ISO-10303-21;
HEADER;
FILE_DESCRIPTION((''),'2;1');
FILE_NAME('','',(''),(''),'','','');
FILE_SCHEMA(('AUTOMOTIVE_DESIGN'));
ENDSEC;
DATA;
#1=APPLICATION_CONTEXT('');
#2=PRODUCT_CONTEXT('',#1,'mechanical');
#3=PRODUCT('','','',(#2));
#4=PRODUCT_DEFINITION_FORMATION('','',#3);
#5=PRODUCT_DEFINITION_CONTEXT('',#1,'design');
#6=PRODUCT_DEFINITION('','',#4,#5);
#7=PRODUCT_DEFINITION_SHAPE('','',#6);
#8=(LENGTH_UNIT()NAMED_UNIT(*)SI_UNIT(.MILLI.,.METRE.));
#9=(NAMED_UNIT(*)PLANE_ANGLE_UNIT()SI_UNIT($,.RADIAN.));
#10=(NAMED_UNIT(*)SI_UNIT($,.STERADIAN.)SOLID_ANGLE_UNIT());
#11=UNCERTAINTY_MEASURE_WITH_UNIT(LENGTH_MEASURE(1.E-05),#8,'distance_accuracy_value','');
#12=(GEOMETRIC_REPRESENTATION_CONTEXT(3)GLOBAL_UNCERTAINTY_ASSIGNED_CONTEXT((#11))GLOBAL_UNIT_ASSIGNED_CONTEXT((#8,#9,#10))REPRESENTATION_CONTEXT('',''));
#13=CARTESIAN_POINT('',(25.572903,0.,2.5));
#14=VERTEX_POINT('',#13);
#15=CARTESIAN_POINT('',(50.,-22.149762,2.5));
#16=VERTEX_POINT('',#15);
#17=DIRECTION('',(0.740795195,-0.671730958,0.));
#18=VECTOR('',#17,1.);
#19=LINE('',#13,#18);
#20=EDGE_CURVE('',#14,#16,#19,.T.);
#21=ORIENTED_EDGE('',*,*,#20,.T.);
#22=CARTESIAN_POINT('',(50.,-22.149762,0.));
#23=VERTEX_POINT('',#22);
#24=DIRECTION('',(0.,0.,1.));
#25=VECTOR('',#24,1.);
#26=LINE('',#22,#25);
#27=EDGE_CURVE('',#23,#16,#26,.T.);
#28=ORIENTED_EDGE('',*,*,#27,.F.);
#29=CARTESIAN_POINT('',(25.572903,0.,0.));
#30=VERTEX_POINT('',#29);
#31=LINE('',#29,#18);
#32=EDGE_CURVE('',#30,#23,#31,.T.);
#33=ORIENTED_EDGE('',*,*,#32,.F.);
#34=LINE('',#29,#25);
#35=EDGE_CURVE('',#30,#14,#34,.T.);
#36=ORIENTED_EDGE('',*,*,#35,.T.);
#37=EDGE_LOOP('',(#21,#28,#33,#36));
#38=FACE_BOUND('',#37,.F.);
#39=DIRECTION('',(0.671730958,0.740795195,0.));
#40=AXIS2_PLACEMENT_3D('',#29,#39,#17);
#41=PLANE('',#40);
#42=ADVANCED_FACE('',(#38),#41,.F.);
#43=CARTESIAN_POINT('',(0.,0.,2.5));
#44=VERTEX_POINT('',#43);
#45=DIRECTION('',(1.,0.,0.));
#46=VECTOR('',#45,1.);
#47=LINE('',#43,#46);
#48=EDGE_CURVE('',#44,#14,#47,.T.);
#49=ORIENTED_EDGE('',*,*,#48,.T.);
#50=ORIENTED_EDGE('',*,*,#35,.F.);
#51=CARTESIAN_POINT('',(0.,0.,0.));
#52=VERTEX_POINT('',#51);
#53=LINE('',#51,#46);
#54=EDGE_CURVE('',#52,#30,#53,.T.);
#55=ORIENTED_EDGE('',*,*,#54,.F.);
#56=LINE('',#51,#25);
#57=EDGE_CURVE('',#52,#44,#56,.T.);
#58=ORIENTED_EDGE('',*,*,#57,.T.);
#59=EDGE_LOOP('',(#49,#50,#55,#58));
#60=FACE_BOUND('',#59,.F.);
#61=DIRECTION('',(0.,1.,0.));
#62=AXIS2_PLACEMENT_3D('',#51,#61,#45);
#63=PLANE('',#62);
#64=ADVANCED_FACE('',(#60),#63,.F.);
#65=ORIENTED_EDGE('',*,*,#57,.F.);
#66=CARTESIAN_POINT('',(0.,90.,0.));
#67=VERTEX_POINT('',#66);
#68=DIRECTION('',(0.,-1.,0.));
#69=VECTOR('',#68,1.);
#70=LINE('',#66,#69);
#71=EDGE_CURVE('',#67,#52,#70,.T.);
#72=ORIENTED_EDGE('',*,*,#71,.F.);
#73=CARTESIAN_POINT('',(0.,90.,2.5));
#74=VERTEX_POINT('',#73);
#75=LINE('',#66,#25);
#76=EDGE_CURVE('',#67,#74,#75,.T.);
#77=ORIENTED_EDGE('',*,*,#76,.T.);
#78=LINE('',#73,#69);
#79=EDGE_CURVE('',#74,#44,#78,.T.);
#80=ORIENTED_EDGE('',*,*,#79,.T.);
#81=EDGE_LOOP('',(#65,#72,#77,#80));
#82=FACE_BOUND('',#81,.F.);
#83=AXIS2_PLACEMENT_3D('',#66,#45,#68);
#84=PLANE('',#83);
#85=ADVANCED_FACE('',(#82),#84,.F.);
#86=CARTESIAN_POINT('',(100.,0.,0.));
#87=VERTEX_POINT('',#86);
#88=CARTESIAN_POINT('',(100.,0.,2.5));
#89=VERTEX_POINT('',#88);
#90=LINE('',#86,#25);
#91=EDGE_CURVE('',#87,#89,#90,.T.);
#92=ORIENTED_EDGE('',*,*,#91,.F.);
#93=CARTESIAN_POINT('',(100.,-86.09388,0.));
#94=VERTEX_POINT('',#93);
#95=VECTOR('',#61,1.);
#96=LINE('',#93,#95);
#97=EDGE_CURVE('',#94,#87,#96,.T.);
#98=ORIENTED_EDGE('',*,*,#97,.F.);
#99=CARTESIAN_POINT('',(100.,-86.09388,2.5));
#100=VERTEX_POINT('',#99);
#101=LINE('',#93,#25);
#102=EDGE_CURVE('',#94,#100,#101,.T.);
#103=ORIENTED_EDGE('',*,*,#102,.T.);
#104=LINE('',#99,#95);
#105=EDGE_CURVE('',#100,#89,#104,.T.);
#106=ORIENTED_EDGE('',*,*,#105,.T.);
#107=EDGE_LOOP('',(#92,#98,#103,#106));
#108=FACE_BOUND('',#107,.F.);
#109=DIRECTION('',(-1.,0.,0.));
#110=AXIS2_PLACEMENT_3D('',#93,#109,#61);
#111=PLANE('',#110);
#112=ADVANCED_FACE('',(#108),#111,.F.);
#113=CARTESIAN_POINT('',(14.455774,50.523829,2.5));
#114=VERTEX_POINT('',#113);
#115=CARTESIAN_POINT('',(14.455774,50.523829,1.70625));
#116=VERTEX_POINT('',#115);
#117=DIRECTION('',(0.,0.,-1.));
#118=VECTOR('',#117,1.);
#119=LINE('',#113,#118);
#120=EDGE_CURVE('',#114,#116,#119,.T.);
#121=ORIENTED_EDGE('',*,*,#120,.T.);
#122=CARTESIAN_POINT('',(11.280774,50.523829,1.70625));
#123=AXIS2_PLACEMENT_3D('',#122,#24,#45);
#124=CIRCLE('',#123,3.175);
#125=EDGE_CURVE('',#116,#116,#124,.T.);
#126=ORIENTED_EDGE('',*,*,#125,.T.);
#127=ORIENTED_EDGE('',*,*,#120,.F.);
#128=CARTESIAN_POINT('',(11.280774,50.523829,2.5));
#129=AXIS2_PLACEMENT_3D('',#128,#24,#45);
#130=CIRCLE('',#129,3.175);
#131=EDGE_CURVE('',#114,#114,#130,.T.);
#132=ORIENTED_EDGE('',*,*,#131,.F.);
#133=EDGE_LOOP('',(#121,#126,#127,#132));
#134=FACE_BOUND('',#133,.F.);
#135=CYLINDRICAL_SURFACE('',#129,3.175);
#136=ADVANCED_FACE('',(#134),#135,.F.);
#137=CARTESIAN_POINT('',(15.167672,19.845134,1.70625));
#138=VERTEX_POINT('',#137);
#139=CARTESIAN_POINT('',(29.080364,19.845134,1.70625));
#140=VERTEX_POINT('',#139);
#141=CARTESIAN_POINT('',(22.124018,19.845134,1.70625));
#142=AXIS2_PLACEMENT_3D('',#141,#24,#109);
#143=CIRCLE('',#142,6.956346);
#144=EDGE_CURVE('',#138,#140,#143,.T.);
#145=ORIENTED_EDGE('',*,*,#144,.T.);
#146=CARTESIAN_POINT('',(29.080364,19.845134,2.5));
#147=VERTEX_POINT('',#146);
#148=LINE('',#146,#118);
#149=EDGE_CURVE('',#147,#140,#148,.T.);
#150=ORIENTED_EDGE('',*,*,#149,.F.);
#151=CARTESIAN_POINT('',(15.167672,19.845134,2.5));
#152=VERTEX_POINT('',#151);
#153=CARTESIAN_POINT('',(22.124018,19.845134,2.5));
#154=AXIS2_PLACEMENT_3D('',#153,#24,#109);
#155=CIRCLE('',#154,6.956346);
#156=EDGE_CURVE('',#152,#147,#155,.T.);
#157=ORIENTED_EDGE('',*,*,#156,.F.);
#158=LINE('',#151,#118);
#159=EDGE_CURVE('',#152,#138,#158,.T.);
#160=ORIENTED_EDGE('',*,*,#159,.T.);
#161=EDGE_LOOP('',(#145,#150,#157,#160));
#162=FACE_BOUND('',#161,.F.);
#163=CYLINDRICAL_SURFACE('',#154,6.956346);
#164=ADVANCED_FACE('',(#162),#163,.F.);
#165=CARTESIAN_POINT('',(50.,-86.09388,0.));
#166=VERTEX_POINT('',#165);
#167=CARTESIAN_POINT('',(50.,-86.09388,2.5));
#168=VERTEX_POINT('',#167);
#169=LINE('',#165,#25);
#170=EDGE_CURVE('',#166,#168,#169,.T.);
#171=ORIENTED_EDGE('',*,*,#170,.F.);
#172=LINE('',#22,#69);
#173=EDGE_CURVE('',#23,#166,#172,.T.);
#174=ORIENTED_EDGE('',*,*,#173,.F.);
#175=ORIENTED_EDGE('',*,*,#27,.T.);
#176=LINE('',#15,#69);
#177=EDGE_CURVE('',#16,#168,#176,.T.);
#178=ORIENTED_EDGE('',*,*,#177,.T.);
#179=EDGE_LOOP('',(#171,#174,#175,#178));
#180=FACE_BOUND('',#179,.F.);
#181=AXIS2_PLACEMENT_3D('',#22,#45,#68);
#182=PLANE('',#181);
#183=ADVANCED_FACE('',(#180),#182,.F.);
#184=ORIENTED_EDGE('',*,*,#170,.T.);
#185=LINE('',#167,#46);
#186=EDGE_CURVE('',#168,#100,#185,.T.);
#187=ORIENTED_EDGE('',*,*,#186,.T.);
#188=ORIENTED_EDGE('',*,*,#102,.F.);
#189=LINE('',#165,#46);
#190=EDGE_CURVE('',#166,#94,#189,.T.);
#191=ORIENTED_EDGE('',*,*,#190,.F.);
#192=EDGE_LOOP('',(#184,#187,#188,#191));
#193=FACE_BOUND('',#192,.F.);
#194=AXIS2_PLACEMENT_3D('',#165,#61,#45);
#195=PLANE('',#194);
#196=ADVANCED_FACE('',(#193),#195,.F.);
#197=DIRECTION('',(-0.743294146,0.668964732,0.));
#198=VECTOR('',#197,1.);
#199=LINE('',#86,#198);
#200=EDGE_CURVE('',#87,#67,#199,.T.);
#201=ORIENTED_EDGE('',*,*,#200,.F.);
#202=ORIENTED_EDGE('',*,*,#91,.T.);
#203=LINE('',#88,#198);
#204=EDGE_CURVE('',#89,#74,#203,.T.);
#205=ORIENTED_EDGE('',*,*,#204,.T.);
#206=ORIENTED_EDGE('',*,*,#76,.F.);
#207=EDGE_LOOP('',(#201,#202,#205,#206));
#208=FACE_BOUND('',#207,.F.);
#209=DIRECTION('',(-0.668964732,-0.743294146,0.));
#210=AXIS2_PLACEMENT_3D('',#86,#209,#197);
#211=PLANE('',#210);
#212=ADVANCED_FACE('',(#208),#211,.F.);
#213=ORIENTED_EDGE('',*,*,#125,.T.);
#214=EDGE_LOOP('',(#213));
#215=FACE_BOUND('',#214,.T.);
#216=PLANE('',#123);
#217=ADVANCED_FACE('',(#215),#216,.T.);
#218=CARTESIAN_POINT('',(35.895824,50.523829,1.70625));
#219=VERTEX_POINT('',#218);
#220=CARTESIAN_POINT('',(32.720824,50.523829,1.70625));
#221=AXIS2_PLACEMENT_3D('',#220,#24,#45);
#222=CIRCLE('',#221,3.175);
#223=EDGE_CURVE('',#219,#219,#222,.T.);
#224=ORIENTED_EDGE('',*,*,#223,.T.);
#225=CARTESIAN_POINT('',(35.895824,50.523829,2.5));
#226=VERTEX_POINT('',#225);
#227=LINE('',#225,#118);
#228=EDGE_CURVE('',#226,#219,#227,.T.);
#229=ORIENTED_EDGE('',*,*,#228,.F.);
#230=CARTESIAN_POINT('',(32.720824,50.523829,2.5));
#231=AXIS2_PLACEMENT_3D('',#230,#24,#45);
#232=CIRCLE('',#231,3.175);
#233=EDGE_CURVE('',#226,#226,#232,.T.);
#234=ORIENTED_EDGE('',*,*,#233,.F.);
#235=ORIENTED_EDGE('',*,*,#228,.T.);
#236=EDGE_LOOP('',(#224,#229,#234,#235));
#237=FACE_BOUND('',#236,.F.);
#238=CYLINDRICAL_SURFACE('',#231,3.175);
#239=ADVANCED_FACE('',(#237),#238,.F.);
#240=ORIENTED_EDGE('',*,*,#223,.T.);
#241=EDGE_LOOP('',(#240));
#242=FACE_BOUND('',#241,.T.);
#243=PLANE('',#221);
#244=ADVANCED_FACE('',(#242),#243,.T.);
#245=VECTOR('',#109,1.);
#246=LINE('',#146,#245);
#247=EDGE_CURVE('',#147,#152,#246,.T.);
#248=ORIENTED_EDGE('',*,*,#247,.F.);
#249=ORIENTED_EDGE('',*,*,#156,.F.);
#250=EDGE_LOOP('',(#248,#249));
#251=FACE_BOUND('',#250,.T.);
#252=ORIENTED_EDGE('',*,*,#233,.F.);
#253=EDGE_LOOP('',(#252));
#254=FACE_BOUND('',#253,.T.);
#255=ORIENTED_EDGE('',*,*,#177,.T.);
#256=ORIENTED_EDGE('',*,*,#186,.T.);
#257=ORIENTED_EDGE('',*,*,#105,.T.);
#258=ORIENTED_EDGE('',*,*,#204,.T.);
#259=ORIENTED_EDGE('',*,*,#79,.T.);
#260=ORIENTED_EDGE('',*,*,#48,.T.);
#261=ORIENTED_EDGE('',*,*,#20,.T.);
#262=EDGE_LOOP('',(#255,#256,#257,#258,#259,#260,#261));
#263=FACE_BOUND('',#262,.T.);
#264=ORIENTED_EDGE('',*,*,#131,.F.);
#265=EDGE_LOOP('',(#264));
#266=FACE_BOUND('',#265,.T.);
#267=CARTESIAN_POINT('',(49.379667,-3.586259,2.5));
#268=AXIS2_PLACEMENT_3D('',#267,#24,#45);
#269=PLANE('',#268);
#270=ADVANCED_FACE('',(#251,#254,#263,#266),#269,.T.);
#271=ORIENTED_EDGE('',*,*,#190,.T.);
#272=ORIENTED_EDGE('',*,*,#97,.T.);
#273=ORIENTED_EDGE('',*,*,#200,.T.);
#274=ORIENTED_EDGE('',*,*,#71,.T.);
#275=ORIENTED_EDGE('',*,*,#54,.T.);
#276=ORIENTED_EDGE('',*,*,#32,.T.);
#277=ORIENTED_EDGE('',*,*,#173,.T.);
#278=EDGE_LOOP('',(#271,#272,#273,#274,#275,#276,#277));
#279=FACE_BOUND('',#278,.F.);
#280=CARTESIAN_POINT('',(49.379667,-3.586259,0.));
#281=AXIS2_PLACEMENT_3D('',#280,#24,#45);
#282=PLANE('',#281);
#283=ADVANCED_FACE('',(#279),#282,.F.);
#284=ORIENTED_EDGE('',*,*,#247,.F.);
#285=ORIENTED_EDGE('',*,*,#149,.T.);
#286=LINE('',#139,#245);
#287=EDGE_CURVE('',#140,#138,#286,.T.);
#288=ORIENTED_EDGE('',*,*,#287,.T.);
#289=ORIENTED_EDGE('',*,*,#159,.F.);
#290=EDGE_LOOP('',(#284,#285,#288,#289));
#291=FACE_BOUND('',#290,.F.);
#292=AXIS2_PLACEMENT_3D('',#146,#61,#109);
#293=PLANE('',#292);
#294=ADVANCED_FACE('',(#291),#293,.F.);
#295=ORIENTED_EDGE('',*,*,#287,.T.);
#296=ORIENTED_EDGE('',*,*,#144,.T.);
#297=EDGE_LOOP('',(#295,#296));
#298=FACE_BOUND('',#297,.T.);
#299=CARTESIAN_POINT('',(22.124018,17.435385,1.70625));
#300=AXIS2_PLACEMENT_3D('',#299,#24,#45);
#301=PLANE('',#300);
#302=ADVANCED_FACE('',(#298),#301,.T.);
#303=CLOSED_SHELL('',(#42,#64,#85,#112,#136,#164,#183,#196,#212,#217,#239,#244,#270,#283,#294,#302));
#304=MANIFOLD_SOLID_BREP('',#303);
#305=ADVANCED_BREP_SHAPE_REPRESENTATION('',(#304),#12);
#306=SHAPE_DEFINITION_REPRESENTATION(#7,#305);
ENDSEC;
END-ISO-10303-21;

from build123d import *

# Parameters (mm, degrees)
F1_DEPTH = 2.5
F3_R     = 3.175
F4_DEPTH = 0.79375


with BuildPart() as f1:
    # F0 (on Top) → F1 (new body)
    with BuildSketch(Plane.XY):
        Polygon((0, 90), (0, 0), (25.572903, 0), (50, -22.149762), (50, -86.09388), (100, -86.09388), (100, 0), align=None)
    extrude(amount=F1_DEPTH)

    # F3 (on face) → F4 (cut)
    with BuildSketch(Plane.XY.offset(2.5)):
        with BuildLine():
            Line((29.080364, 19.845134), (15.167672, 19.845134))
            ThreePointArc((15.167672, 19.845134), (22.124018, 12.888788), (29.080364, 19.845134))
        make_face()
        with Locations((11.280774, 50.523829)):
            Circle(F3_R)
        with Locations((32.720824, 50.523829)):
            Circle(F3_R)
    extrude(amount=-F4_DEPTH, mode=Mode.SUBTRACT)


solid = f1.part
